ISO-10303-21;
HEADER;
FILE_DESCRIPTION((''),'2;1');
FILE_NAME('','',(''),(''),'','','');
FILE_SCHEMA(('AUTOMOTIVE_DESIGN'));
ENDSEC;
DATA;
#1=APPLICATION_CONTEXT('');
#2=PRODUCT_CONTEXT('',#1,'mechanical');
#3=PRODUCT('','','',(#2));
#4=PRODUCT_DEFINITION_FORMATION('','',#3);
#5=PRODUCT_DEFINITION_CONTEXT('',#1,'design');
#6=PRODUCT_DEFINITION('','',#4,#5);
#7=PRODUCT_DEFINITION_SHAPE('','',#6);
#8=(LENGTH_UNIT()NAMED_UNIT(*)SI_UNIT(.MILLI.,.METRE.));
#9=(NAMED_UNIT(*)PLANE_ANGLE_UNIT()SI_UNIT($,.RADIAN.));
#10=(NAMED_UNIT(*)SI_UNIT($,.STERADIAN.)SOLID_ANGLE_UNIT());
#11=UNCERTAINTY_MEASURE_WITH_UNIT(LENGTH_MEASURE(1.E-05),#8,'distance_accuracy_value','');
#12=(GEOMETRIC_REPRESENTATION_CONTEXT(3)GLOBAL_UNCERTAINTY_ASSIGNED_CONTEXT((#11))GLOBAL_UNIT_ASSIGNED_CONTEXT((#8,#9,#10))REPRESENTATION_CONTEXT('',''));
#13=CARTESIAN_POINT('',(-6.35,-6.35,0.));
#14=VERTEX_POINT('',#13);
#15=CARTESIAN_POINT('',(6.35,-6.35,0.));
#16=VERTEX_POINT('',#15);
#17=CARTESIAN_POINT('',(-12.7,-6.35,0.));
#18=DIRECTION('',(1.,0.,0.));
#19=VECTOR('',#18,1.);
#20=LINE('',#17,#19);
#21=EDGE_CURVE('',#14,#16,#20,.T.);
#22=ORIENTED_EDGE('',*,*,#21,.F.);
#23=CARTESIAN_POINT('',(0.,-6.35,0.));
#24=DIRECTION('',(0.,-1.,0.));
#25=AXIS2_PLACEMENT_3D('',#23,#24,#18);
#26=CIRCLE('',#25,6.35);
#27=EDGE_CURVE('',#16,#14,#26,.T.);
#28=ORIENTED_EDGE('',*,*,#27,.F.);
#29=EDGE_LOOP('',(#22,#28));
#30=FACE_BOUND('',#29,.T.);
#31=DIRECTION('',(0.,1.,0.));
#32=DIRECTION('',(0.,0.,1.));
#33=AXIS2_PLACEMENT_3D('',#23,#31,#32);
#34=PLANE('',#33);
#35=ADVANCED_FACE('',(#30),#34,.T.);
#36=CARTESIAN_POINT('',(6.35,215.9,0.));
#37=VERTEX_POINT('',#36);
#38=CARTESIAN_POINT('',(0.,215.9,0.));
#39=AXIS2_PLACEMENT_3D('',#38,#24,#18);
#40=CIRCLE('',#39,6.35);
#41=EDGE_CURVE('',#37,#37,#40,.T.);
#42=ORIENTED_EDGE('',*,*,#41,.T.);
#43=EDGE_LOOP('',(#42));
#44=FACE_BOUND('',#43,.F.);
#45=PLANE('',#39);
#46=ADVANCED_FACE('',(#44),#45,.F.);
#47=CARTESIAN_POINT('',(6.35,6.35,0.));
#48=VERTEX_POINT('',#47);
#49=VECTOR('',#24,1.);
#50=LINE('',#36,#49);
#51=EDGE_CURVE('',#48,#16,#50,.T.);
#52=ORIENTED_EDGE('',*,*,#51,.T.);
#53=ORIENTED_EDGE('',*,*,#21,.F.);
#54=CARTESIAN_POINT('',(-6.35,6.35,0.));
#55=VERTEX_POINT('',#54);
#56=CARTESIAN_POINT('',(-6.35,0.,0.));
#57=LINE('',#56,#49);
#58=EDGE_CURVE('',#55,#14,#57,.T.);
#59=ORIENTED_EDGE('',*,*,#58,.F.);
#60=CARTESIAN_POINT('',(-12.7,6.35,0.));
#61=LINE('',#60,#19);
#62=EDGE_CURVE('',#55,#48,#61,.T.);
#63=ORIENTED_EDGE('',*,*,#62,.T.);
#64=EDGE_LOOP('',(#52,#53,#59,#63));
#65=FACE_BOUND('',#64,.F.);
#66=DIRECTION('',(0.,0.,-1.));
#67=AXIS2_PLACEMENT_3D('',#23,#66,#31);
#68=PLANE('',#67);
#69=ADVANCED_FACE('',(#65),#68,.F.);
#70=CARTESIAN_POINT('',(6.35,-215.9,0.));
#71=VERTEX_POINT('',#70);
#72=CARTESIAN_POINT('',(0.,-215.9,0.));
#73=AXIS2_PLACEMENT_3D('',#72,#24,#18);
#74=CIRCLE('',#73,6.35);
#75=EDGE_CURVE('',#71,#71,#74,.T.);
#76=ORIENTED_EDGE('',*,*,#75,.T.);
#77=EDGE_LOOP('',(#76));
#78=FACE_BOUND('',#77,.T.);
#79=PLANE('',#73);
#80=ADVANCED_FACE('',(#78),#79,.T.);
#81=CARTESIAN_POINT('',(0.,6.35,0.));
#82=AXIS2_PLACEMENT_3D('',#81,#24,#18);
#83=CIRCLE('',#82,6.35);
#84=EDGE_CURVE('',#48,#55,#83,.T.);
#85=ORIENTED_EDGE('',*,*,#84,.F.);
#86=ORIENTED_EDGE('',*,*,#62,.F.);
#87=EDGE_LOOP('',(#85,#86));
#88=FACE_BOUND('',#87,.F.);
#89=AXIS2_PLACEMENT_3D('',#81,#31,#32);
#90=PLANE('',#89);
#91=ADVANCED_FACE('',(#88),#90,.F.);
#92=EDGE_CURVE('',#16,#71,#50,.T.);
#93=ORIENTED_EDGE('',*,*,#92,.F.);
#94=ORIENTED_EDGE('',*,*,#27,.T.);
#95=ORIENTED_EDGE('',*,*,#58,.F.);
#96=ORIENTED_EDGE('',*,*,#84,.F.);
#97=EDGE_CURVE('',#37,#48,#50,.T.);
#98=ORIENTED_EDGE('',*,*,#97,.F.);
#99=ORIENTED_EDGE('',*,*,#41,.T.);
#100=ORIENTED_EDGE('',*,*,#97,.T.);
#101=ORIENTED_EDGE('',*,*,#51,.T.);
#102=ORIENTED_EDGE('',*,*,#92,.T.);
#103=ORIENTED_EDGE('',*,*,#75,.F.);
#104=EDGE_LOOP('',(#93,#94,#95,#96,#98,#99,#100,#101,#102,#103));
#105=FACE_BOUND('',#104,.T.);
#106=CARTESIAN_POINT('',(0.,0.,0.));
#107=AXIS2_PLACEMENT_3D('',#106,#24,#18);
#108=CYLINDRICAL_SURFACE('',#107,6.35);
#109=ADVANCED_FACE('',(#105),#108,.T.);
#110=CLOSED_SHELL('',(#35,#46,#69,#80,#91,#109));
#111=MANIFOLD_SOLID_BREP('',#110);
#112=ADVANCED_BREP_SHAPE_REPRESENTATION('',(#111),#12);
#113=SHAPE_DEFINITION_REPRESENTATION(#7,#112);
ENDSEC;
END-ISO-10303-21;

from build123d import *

# Parameters (mm, degrees)
F0_R     = 6.35
F1_DEPTH = 215.9
F2_W     = 12.7
F2_H     = 12.7
F3_DEPTH = 12.7


with BuildPart() as f1:
    # F0 (on Front) → F1 (new body, symmetric)
    with BuildSketch(Plane.XZ):
        Circle(F0_R)
    extrude(amount=F1_DEPTH, both=True)

    # F2 (on Right) → F3 (cut, symmetric)
    with BuildSketch(Plane.YZ):
        with Locations((0, 6.35)):
            Rectangle(F2_W, F2_H)
    extrude(amount=F3_DEPTH, both=True, mode=Mode.SUBTRACT)


solid = f1.part
